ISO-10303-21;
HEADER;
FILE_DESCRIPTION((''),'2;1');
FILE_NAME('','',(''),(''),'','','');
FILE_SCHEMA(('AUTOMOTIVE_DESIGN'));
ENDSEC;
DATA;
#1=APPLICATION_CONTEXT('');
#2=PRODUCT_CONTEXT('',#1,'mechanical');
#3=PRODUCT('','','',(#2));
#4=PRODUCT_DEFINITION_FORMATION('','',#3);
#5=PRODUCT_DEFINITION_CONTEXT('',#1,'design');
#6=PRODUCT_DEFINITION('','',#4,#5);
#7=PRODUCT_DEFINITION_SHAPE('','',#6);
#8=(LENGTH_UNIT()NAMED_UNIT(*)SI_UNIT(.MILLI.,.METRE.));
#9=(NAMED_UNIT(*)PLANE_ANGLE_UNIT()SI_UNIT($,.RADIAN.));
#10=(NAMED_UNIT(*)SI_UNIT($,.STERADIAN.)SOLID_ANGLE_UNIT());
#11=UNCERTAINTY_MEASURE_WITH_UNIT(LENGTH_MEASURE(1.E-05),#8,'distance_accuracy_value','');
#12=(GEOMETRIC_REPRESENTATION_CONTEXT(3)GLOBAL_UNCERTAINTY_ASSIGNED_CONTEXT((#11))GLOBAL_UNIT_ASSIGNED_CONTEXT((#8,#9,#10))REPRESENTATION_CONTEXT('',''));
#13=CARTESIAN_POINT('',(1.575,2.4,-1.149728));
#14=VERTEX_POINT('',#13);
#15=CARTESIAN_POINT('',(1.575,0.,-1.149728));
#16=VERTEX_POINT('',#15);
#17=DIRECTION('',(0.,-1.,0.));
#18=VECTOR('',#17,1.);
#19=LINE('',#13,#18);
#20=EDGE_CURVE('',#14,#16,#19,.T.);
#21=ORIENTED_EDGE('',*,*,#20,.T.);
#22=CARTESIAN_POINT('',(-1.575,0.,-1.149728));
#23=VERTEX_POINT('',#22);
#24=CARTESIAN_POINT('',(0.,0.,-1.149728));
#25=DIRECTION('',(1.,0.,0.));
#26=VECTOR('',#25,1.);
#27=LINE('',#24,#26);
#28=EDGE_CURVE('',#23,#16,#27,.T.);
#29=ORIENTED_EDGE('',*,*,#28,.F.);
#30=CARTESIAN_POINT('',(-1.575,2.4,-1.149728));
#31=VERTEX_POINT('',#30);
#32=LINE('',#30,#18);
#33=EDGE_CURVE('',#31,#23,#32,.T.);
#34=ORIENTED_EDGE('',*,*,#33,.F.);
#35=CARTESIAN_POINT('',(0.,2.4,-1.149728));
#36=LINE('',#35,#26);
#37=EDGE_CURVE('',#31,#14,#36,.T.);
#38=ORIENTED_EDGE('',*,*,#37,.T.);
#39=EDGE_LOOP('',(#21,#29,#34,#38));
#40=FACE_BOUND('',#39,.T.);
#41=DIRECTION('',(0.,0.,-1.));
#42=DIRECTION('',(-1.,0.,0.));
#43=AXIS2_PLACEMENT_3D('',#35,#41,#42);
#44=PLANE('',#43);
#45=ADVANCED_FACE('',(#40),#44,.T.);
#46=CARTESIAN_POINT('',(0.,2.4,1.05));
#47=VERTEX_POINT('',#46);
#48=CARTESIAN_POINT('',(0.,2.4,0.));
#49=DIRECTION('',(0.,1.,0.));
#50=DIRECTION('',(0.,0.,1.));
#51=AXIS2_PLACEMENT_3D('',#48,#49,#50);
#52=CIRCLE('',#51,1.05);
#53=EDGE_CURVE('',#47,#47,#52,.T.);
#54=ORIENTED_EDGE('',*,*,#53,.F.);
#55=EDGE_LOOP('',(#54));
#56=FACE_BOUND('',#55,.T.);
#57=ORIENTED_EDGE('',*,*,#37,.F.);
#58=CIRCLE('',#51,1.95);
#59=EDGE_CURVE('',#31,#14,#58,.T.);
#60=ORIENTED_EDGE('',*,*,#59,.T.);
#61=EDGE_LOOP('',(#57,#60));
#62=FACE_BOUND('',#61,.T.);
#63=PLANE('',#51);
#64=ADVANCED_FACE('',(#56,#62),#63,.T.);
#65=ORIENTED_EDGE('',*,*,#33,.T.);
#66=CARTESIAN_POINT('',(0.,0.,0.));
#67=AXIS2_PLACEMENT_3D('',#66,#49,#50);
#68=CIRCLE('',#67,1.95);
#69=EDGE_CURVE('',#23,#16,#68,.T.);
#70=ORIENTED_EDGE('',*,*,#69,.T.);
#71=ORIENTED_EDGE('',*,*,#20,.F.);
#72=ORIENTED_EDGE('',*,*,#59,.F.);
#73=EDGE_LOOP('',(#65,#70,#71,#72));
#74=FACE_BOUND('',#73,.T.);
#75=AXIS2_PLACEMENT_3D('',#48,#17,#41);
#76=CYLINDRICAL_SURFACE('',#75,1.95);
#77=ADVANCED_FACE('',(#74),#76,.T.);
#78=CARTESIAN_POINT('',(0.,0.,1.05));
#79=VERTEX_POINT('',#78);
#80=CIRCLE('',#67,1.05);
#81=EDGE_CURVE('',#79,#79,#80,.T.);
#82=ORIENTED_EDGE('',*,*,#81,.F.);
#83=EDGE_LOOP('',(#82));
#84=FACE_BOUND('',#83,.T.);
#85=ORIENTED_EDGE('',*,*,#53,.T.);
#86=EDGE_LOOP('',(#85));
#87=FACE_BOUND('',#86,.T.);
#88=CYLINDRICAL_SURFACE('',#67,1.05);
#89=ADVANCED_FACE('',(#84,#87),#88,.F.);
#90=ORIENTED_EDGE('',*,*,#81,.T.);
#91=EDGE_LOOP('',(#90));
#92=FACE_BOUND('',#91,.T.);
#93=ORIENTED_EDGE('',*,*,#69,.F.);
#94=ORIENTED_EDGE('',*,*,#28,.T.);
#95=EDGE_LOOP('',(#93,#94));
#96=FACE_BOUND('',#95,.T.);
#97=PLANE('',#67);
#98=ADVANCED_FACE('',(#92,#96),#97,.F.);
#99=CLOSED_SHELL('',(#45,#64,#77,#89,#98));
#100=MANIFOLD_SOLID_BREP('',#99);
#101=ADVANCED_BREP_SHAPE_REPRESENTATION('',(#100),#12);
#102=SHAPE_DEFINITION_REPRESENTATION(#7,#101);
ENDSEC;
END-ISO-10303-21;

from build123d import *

# Parameters (mm, degrees)
BOSS_EXTRUDE1_DEPTH = 2.4
SKETCH2_R           = 1.05
CUT_EXTRUDE1_DEPTH  = 4.655817282


with BuildPart() as part:
    # Sketch1 → Boss-Extrude1 (new body)
    with BuildSketch(Plane(origin=(0, 0, 0), x_dir=(1, 0, 0), z_dir=(0, 1, 0))):
        with BuildLine():
            Line((1.575, 1.149728229), (-1.575, 1.149728229))
            ThreePointArc((-1.575, 1.149728229), (-0.604669331, -1.853881064), (1.95, 0))
            ThreePointArc((1.95, 0), (1.853881064, 0.604669331), (1.575, 1.149728229))
        make_face()
    extrude(amount=BOSS_EXTRUDE1_DEPTH)

    # Sketch2 → Cut-Extrude1 (cut, through all)
    with BuildSketch(Plane(origin=(0, 2.4, 0), x_dir=(1, 0, 0), z_dir=(0, 1, 0))):
        with Locations(Location((0, 0, 0), (0, 0, 270))):
            Circle(SKETCH2_R)
    extrude(amount=-CUT_EXTRUDE1_DEPTH, mode=Mode.SUBTRACT)


solid = part.part
